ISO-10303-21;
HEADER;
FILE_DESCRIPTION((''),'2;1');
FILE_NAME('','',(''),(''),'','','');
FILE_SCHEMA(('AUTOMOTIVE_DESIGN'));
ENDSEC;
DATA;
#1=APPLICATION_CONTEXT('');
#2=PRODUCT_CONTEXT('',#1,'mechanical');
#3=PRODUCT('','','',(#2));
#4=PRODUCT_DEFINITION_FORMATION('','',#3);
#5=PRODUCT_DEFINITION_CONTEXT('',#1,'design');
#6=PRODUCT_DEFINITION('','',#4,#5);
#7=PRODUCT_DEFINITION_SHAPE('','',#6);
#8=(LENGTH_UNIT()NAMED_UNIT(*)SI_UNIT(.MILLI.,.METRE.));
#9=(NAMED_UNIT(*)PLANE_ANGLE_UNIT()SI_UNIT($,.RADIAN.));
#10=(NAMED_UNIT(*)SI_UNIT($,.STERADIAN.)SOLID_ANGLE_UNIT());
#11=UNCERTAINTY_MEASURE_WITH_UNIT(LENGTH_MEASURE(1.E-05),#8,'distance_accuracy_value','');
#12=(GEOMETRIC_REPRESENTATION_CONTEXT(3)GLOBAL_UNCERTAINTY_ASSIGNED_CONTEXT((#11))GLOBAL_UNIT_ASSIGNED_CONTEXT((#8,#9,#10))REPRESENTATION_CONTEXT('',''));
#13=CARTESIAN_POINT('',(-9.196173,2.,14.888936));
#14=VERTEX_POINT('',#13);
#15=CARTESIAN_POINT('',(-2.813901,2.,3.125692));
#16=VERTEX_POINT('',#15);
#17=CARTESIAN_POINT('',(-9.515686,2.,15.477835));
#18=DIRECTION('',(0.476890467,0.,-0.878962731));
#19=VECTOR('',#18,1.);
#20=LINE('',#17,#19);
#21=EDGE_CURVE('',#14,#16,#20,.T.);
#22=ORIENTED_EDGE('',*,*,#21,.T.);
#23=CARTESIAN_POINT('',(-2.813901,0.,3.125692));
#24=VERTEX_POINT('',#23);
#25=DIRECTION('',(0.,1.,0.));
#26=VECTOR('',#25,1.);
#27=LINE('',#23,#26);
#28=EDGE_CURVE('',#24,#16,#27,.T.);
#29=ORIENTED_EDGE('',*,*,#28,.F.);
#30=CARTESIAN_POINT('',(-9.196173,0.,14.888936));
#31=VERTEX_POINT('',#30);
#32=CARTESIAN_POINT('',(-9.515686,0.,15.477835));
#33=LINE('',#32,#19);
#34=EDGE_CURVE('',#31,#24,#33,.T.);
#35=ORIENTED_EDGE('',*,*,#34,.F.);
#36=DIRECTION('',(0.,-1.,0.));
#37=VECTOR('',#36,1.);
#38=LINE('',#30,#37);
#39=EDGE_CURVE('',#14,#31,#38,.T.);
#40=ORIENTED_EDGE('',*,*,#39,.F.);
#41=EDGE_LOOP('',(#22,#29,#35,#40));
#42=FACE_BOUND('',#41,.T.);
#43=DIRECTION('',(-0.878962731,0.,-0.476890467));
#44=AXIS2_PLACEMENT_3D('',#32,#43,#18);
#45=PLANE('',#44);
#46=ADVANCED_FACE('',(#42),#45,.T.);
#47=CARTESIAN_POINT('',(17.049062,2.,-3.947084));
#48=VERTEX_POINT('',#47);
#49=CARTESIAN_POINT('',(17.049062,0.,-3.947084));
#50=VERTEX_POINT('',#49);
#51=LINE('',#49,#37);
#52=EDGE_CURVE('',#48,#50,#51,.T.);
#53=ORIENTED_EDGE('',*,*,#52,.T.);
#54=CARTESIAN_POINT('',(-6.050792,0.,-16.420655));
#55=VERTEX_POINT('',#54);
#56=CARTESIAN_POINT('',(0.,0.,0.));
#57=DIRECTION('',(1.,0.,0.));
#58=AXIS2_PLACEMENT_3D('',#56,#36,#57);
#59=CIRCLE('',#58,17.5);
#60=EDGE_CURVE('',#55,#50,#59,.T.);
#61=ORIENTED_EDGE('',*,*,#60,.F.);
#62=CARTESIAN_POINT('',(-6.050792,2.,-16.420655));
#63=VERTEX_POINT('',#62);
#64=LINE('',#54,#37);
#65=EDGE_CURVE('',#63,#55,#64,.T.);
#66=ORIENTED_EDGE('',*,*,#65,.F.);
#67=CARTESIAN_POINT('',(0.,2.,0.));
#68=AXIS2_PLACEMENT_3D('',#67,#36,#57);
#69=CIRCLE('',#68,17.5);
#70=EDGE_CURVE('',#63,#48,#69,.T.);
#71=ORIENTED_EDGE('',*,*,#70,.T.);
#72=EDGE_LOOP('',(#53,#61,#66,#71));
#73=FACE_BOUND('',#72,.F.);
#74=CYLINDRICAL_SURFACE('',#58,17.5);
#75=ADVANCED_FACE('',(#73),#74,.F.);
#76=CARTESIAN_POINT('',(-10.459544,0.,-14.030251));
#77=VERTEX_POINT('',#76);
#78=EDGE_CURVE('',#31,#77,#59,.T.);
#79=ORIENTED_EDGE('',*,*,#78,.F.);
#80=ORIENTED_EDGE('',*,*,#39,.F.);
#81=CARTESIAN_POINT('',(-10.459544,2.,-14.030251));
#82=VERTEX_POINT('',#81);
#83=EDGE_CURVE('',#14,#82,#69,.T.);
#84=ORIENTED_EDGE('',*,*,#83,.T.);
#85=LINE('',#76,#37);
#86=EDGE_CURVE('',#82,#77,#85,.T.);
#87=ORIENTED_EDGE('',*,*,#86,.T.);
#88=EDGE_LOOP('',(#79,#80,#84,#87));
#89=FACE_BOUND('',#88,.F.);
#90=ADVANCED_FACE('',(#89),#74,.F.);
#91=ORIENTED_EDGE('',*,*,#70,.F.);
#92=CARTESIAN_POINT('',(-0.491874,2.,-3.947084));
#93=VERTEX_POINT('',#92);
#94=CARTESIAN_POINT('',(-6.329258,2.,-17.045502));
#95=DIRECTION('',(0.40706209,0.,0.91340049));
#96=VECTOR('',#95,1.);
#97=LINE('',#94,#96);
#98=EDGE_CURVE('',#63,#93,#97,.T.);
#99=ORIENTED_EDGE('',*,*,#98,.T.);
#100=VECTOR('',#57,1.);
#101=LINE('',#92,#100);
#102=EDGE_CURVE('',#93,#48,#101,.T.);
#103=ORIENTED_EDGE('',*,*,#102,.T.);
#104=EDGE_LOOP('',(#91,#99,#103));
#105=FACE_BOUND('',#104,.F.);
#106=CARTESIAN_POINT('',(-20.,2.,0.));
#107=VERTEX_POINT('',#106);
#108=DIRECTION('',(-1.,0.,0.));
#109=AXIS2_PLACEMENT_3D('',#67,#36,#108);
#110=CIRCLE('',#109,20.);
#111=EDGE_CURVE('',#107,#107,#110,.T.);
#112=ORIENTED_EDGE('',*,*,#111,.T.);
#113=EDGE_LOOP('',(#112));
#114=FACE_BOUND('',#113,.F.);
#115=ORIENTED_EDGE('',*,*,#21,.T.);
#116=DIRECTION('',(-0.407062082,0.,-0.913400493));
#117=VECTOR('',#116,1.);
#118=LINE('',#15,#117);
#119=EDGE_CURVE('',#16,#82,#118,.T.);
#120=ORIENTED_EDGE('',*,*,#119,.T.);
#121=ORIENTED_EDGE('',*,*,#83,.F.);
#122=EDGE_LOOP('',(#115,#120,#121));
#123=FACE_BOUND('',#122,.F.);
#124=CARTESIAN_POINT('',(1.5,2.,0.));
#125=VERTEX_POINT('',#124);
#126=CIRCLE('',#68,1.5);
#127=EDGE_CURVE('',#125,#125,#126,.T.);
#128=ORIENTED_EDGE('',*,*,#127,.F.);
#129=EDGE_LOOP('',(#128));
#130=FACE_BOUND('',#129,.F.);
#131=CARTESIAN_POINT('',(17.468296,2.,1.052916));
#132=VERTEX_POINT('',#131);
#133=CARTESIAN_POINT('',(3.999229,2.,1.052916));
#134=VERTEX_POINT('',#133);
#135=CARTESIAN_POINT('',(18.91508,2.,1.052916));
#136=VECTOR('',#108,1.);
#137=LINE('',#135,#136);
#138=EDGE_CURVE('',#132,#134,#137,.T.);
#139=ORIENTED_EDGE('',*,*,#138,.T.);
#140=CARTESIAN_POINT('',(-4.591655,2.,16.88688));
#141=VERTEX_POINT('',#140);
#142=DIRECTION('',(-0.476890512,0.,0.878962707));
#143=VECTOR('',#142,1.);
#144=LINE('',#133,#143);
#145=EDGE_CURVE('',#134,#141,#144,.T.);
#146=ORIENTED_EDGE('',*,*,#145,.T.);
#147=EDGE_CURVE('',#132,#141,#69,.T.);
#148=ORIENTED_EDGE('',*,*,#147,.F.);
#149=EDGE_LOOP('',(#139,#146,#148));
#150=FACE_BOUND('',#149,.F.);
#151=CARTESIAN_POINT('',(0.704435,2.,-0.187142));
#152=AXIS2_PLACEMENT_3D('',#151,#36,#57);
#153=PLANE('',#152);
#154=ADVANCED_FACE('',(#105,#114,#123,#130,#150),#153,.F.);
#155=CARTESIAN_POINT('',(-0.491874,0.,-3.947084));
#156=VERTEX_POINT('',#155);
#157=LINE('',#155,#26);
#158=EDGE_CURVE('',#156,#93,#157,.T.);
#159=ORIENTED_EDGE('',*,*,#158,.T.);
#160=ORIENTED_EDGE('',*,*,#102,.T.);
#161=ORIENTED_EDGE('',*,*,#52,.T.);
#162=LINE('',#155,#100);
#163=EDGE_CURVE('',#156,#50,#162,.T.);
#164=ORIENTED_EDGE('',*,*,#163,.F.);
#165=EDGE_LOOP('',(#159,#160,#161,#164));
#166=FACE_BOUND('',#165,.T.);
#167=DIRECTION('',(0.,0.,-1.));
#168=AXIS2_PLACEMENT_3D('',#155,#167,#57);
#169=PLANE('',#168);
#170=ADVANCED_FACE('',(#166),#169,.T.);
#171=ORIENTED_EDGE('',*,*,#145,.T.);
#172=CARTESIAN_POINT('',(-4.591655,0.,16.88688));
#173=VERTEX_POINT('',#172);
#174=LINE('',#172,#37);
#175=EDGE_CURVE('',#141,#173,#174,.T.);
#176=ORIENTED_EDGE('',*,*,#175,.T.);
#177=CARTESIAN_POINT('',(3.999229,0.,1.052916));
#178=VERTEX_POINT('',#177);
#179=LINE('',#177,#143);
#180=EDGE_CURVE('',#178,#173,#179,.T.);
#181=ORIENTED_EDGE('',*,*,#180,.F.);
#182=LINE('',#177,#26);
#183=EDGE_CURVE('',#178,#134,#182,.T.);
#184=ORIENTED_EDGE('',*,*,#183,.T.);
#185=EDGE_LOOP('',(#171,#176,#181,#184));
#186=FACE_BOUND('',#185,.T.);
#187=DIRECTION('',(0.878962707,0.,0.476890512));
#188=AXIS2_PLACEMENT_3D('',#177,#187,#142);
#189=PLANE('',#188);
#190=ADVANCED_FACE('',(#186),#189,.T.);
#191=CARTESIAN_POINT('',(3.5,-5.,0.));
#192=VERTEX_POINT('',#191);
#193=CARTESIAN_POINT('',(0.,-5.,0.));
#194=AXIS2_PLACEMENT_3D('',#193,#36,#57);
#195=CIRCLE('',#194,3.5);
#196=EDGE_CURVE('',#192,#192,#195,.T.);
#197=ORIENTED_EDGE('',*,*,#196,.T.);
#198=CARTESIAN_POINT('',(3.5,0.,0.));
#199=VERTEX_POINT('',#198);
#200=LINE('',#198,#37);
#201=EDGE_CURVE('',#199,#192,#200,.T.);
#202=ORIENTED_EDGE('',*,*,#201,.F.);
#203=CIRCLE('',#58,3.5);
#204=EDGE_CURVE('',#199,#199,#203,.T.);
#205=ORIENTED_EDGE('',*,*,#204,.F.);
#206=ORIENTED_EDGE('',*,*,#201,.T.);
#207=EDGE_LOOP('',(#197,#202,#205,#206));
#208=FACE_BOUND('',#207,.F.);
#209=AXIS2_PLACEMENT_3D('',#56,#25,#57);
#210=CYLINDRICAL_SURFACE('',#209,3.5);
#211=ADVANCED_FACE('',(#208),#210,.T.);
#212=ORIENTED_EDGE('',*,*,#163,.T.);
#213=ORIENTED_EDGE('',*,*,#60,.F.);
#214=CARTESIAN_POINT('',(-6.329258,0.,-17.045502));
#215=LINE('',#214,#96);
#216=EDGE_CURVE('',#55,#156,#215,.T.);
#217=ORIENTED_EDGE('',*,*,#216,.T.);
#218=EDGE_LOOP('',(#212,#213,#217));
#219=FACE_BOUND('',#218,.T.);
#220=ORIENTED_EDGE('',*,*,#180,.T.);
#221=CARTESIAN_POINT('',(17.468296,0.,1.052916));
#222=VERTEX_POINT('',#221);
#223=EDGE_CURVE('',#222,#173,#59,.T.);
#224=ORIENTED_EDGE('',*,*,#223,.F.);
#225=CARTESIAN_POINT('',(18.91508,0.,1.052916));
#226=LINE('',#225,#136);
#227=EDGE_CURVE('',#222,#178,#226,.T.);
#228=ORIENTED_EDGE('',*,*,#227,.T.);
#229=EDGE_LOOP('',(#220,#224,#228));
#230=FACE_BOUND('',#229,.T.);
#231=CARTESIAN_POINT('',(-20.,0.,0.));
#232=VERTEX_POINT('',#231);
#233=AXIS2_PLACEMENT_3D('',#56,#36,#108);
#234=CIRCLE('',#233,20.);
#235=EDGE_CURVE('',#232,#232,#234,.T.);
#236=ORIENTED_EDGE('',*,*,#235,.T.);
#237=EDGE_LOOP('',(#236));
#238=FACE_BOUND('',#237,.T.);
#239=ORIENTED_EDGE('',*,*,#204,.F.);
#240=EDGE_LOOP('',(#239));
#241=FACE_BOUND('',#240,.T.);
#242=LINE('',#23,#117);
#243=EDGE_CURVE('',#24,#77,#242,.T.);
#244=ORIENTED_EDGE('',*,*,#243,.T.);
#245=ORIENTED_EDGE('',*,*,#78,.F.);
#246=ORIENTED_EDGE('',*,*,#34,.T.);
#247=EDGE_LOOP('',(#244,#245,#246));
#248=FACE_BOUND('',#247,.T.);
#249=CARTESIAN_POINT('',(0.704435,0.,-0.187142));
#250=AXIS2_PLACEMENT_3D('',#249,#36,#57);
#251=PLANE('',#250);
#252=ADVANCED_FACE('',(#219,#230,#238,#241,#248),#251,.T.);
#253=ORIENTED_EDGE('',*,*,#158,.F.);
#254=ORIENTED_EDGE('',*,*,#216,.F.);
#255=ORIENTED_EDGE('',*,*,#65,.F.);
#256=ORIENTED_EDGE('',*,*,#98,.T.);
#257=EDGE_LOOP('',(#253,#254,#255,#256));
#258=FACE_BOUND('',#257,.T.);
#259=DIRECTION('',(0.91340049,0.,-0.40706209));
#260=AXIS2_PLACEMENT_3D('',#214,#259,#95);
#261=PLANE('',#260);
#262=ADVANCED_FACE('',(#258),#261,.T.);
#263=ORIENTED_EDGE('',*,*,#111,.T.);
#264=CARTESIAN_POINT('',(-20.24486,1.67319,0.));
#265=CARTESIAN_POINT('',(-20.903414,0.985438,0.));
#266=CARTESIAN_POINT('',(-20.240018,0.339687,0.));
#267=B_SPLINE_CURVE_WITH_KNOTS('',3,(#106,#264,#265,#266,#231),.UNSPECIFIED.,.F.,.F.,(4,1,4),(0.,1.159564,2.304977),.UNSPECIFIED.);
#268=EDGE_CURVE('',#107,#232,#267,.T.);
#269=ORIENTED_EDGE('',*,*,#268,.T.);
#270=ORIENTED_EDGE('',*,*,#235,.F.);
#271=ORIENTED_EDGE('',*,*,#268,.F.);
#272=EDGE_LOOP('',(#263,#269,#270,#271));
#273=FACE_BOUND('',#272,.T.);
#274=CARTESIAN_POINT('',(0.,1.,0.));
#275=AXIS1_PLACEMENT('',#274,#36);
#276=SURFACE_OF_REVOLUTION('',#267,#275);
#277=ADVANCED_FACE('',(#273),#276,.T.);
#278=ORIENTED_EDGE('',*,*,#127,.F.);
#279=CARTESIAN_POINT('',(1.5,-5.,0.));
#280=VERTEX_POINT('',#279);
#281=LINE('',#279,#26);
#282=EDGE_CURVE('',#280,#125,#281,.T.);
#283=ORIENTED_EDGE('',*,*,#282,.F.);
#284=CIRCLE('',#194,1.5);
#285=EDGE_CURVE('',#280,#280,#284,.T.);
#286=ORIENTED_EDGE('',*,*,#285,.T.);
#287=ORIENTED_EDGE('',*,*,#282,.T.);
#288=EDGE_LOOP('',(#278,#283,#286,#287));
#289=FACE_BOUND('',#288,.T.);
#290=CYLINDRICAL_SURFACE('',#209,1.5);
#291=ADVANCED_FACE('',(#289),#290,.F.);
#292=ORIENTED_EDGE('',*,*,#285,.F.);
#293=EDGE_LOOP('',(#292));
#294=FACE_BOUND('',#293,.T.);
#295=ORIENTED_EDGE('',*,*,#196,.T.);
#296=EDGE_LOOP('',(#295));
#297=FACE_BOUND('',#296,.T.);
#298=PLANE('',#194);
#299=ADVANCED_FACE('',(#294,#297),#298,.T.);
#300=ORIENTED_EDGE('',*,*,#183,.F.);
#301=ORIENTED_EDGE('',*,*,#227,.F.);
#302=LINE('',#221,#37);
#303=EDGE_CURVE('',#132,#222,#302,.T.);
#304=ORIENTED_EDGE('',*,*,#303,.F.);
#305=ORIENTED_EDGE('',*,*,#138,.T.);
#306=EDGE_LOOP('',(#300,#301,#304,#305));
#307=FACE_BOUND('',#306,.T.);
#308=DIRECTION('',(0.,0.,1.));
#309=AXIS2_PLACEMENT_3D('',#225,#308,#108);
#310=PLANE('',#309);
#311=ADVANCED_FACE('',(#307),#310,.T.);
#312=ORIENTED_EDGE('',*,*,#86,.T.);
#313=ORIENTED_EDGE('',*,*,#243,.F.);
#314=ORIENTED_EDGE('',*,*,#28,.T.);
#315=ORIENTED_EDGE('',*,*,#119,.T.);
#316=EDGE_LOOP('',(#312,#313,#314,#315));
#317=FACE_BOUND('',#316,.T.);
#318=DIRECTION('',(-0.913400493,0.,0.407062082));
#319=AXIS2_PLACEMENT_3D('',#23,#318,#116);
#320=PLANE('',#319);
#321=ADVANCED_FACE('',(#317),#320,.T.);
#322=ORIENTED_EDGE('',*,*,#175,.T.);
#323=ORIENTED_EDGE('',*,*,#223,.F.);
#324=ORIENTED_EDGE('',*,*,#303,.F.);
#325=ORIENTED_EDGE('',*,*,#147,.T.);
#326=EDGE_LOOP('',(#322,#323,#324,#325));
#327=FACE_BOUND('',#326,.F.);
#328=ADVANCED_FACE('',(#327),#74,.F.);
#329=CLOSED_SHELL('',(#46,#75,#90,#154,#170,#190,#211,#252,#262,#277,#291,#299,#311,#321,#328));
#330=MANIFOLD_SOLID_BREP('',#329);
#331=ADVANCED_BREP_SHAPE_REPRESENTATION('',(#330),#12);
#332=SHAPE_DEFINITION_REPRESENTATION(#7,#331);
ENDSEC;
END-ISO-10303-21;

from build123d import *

# Parameters (mm, degrees)
F2_R     = 1.5
F2_R_2   = 17.5
F2_R_3   = 3.5
F3_DEPTH = 500
F5_DEPTH = 2
F6_DEPTH = 5025
F7_DEPTH = 5


with BuildPart() as f1:
    # F0 (on Top) → F1 (revolve)
    with BuildSketch(Plane.XY):
        with BuildLine():
            Line((-20, 0), (0, 0))
            Line((0, 0), (0, 2))
            Line((0, 2), (-20, 2))
            add(Edge.make_bspline(
                [(-20, 2), (-20.24486, 1.67319), (-20.903414, 0.985438), (-20.240018, 0.339687), (-20, 0)],
                knots=[0, 0, 0, 0, 1.159564, 2.304977, 2.304977, 2.304977, 2.304977], degree=3))
        make_face()
    revolve(axis=Axis((0, 1, 0), (0, -1, 0)))

    # F2 (on Front) → F3 (cut, symmetric)
    with BuildSketch(Plane.XZ):
        Circle(F2_R)
        Circle(F2_R_2)
        Circle(F2_R_3, mode=Mode.SUBTRACT)
    extrude(amount=F3_DEPTH, both=True, mode=Mode.SUBTRACT)

    # F4 (on Front) → F5 (join)
    with BuildSketch(Plane.XZ):
        Polygon((-2.813901, 3.125692), (-10.89626, -15.010192), (-6.329258, -17.045502), (-0.491874, -3.947084), (18.91508, -3.947084), (18.91508, 1.052916), (3.999229, 1.052916), (-5.120873, 17.862287), (-9.515686, 15.477835), align=None)
    extrude(amount=-F5_DEPTH)

    # F2 (on Front) → F6 (cut, symmetric)
    with BuildSketch(Plane.XZ):
        Circle(F2_R)
    extrude(amount=F6_DEPTH, both=True, mode=Mode.SUBTRACT)

    # F2 (on Front) → F7 (join)
    with BuildSketch(Plane.XZ):
        Circle(F2_R_3)
        Circle(F2_R, mode=Mode.SUBTRACT)
    extrude(amount=F7_DEPTH)


solid = f1.part
